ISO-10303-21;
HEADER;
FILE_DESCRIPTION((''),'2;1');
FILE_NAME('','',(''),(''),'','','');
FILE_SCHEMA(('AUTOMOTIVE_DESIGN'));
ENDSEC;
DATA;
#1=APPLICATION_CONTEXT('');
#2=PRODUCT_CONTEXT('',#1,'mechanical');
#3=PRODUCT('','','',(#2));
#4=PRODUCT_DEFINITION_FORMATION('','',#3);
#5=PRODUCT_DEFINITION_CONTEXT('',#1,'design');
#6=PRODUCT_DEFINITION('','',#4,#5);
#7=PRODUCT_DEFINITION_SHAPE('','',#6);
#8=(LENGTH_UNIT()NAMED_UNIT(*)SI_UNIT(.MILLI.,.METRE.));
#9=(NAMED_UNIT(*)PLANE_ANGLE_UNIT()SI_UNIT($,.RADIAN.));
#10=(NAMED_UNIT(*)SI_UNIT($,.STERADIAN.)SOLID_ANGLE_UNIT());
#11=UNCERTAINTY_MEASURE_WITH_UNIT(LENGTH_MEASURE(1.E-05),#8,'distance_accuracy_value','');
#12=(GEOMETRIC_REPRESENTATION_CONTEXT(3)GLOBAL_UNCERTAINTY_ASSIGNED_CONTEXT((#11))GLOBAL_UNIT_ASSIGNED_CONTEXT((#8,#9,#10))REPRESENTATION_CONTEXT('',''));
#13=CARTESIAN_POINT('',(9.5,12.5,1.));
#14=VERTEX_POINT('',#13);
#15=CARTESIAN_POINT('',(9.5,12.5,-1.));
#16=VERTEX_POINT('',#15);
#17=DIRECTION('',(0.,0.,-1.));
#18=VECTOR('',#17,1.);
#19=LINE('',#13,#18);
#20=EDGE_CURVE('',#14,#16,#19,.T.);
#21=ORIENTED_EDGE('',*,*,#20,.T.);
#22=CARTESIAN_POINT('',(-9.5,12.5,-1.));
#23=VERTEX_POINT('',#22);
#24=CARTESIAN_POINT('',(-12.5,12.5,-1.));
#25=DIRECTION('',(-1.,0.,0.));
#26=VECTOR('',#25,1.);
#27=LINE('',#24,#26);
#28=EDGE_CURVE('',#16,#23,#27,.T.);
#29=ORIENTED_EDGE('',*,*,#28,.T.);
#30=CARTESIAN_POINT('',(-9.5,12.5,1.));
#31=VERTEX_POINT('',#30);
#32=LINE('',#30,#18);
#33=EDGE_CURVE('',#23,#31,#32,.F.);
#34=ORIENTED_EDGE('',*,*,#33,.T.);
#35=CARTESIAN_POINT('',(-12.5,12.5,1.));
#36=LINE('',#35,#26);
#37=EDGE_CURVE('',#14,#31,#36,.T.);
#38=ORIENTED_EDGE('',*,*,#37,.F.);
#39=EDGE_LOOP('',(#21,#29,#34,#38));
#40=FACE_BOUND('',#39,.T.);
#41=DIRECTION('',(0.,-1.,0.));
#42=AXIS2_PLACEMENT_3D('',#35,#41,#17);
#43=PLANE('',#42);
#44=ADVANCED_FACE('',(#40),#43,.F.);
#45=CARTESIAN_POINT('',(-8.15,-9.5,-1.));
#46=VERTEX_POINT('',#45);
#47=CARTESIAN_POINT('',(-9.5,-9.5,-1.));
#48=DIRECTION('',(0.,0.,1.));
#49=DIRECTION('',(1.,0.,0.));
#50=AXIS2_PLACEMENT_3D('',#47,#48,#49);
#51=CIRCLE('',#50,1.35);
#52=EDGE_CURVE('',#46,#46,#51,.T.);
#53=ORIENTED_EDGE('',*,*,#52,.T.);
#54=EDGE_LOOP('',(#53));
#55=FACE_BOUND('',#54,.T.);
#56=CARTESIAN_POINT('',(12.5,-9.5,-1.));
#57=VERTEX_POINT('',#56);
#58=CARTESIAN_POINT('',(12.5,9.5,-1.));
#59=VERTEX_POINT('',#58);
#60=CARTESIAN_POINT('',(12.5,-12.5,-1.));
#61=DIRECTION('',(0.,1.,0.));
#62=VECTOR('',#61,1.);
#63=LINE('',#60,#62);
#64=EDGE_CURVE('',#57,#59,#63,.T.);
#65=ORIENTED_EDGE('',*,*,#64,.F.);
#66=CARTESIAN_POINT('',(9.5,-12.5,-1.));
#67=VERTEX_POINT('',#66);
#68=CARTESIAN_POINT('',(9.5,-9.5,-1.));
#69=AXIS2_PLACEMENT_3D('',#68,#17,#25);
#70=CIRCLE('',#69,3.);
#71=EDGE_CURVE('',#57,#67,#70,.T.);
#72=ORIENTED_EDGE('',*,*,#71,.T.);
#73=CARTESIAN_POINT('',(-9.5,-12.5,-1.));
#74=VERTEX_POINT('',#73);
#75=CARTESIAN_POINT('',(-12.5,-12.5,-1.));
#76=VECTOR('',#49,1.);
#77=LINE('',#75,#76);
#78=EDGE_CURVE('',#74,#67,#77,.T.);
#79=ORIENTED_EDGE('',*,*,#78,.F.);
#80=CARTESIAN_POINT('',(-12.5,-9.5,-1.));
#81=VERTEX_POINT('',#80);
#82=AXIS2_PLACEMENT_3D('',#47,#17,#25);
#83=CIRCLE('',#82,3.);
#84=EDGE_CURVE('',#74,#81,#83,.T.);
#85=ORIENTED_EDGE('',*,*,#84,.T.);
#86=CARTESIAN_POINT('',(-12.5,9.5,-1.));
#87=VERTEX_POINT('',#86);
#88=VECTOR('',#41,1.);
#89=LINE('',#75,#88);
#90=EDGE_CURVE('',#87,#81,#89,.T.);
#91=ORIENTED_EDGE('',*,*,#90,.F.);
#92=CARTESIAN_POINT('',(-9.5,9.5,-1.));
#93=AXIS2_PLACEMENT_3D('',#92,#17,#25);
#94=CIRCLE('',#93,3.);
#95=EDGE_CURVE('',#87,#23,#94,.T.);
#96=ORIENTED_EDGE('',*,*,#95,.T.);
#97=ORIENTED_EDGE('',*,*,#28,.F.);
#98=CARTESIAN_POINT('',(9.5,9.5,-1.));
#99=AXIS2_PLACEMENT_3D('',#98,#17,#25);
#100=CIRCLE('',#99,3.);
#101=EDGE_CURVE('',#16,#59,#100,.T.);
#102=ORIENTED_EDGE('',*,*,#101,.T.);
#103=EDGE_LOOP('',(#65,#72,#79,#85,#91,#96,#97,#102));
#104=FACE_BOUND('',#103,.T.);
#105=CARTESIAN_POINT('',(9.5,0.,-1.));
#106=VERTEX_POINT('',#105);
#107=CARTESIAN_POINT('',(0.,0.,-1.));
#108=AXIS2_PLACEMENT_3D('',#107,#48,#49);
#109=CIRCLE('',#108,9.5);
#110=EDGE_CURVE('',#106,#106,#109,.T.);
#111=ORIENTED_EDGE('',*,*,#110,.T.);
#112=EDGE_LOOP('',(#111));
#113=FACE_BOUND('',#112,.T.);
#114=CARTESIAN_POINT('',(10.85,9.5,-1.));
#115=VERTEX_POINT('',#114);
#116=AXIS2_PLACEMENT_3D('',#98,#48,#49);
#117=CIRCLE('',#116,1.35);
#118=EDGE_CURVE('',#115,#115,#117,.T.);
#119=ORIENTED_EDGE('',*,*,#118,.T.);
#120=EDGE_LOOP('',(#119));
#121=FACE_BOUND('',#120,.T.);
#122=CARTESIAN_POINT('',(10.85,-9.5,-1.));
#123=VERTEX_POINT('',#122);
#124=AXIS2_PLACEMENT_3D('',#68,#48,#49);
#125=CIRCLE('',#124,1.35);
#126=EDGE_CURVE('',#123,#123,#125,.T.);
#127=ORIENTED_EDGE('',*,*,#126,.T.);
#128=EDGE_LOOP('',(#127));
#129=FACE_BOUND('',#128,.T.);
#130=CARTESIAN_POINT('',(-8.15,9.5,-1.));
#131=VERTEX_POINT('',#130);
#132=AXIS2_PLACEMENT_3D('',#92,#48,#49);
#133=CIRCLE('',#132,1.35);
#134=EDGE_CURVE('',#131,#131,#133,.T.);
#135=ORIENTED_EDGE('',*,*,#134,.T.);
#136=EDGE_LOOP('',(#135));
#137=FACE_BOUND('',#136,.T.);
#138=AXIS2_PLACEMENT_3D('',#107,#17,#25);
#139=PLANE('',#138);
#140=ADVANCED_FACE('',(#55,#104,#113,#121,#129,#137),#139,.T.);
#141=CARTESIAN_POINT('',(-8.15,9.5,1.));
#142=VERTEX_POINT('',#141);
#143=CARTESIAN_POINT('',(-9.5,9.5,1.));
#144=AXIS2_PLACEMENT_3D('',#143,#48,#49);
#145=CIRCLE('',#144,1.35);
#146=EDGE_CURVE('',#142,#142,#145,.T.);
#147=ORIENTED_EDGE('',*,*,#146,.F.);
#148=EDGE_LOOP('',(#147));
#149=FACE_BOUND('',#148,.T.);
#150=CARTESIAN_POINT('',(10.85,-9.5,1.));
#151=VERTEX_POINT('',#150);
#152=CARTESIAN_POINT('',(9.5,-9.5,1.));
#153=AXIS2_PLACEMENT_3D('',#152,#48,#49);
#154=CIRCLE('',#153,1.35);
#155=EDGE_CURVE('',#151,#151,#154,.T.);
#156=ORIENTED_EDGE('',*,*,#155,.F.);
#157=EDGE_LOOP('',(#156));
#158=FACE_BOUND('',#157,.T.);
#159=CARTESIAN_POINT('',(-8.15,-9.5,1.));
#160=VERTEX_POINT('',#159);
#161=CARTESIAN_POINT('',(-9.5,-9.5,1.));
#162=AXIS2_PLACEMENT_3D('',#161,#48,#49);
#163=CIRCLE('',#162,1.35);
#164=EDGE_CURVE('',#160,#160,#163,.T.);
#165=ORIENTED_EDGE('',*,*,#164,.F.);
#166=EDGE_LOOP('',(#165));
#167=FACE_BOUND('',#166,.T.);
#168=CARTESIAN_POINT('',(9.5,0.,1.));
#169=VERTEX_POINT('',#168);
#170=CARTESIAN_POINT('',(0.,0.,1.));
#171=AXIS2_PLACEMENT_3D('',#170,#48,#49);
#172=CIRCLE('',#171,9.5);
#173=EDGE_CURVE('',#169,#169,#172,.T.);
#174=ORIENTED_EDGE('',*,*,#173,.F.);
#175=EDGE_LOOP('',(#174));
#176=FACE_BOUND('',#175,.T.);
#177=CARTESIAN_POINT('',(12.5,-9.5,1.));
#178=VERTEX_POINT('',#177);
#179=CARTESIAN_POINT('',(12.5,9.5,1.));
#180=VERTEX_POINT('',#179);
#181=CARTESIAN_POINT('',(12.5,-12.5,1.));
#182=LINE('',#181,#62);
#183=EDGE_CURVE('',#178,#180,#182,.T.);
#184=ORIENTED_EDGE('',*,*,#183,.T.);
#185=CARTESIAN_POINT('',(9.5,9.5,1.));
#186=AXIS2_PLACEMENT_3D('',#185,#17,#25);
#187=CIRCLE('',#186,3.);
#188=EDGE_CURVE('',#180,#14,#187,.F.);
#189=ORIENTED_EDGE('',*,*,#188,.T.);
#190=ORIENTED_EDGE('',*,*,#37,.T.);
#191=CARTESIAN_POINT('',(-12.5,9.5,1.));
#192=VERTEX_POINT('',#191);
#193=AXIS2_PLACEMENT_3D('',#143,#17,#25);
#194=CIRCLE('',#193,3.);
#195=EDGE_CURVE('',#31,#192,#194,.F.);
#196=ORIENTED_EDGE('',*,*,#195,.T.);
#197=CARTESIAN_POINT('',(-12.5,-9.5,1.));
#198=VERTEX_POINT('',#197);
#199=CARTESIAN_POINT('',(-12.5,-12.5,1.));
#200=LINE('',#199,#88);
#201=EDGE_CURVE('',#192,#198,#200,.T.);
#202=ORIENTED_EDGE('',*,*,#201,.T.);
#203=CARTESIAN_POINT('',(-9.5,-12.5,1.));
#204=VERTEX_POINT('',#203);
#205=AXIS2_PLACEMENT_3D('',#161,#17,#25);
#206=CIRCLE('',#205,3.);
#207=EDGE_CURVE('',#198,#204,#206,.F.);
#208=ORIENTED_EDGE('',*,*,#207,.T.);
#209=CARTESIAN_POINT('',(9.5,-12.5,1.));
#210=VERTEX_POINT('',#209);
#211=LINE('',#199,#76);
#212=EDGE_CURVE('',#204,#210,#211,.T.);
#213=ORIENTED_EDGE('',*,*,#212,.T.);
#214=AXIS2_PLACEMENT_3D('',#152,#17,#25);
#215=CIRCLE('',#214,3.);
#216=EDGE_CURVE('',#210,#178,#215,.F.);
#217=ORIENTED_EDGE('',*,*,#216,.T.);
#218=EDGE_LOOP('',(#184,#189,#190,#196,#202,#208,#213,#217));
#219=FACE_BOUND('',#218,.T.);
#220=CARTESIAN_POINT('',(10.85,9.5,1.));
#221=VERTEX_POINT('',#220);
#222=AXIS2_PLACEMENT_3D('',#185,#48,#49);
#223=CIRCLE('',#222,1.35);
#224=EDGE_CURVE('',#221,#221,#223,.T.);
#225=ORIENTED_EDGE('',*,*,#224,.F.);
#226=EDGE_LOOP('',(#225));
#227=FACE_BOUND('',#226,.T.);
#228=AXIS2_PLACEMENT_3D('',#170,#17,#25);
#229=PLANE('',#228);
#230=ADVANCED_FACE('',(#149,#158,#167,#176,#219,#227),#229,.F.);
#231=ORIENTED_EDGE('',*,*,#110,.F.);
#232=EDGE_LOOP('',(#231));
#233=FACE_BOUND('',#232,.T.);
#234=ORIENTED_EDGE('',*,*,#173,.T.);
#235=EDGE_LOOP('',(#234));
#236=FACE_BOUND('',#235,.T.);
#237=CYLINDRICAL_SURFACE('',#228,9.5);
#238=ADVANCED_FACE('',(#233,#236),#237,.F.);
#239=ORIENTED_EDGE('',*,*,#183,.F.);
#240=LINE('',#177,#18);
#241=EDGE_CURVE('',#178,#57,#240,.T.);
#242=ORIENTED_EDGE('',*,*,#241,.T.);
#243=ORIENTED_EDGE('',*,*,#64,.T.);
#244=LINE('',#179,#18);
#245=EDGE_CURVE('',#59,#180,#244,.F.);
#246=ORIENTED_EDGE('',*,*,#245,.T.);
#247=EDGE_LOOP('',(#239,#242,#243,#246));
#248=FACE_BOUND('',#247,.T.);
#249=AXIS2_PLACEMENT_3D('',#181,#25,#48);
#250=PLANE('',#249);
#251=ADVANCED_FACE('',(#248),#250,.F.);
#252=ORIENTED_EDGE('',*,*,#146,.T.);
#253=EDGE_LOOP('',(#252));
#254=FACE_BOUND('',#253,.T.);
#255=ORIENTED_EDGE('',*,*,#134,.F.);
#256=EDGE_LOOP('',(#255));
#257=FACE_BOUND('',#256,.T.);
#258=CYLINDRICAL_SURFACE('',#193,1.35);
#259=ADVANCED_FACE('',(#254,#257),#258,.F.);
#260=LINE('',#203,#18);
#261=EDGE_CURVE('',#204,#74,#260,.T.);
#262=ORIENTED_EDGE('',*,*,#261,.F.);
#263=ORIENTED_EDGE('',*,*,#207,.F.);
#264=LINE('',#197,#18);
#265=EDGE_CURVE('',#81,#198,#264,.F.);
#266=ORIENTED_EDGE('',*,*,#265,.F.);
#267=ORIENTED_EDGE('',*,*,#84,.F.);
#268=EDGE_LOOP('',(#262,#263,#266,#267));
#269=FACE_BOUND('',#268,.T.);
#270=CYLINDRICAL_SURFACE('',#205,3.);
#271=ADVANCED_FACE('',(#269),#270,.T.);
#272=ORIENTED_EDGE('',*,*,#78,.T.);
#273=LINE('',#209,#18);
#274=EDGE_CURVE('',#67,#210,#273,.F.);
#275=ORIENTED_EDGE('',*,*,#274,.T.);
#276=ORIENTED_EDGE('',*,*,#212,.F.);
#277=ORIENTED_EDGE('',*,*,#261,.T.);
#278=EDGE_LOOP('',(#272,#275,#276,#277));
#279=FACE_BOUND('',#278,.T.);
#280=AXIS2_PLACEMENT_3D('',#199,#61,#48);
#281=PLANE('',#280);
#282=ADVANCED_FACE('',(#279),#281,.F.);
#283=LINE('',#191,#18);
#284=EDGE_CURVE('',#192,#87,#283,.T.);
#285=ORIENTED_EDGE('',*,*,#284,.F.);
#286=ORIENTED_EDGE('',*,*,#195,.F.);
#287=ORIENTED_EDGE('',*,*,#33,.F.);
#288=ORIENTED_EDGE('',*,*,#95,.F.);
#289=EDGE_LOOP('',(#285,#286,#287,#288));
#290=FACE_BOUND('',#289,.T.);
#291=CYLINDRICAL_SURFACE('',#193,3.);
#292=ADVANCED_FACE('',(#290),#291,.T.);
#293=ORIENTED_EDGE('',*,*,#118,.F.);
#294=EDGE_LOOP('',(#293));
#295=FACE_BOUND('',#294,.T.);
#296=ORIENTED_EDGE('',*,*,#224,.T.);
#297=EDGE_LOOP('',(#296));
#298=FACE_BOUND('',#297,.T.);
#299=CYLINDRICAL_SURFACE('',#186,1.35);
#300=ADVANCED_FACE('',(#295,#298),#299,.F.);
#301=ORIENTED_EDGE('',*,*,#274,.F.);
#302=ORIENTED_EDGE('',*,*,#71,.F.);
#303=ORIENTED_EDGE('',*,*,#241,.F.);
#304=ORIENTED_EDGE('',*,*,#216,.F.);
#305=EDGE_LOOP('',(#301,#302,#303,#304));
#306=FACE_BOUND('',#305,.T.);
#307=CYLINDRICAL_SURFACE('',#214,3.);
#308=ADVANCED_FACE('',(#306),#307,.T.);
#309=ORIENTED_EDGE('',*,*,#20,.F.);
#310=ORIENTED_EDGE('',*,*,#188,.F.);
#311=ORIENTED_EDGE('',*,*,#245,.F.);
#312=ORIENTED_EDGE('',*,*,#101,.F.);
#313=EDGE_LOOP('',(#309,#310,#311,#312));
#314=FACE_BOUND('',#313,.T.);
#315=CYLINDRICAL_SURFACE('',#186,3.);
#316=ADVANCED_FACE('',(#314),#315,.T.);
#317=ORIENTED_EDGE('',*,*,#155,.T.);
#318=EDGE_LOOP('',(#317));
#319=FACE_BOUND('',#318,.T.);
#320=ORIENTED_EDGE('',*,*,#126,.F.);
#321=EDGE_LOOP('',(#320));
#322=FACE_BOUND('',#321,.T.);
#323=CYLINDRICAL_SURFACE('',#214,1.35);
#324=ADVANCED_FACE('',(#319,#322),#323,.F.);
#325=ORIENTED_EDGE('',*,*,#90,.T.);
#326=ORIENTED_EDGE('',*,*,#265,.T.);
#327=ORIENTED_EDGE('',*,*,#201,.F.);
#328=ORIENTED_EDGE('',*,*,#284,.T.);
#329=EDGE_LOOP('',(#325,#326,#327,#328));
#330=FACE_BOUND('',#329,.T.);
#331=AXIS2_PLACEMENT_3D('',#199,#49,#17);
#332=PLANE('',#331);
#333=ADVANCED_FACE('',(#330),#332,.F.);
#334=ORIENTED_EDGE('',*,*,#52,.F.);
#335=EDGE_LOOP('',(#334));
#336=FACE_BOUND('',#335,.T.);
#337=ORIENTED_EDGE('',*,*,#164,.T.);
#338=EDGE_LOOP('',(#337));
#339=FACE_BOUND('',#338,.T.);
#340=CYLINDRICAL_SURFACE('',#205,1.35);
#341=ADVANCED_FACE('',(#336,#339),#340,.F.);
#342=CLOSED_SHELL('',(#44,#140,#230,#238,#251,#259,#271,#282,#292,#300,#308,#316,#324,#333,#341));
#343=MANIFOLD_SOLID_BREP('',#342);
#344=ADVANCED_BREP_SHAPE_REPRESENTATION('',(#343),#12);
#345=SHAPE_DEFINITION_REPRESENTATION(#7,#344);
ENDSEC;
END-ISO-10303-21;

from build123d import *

# Parameters (mm, degrees)
SKETCH1_W           = 25
SKETCH1_H           = 25
SKETCH1_R           = 1.35
SKETCH1_R_2         = 9.5
BOSS_EXTRUDE1_DEPTH = 1
FILLET1_R           = 3


with BuildPart() as part:
    # Sketch1 → Boss-Extrude1 (new, symmetric)
    with BuildSketch(Plane.XY):
        Rectangle(SKETCH1_W, SKETCH1_H)
        with Locations((-9.5, 9.5)):
            Circle(SKETCH1_R, mode=Mode.SUBTRACT)
        with Locations((9.5, 9.5)):
            Circle(SKETCH1_R, mode=Mode.SUBTRACT)
        with Locations((9.5, -9.5)):
            Circle(SKETCH1_R, mode=Mode.SUBTRACT)
        with Locations((-9.5, -9.5)):
            Circle(SKETCH1_R, mode=Mode.SUBTRACT)
        Circle(SKETCH1_R_2, mode=Mode.SUBTRACT)
    extrude(amount=BOSS_EXTRUDE1_DEPTH, both=True)

    # Fillet1
    fillet1_edges = [part.edges().sort_by_distance(p)[0] for p in [
        (12.5, -12.5, 0),
        (-12.5, -12.5, 0),
        (-12.5, 12.5, 0),
        (12.5, 12.5, 0),
    ]]
    fillet(fillet1_edges, radius=FILLET1_R)


solid = part.part
